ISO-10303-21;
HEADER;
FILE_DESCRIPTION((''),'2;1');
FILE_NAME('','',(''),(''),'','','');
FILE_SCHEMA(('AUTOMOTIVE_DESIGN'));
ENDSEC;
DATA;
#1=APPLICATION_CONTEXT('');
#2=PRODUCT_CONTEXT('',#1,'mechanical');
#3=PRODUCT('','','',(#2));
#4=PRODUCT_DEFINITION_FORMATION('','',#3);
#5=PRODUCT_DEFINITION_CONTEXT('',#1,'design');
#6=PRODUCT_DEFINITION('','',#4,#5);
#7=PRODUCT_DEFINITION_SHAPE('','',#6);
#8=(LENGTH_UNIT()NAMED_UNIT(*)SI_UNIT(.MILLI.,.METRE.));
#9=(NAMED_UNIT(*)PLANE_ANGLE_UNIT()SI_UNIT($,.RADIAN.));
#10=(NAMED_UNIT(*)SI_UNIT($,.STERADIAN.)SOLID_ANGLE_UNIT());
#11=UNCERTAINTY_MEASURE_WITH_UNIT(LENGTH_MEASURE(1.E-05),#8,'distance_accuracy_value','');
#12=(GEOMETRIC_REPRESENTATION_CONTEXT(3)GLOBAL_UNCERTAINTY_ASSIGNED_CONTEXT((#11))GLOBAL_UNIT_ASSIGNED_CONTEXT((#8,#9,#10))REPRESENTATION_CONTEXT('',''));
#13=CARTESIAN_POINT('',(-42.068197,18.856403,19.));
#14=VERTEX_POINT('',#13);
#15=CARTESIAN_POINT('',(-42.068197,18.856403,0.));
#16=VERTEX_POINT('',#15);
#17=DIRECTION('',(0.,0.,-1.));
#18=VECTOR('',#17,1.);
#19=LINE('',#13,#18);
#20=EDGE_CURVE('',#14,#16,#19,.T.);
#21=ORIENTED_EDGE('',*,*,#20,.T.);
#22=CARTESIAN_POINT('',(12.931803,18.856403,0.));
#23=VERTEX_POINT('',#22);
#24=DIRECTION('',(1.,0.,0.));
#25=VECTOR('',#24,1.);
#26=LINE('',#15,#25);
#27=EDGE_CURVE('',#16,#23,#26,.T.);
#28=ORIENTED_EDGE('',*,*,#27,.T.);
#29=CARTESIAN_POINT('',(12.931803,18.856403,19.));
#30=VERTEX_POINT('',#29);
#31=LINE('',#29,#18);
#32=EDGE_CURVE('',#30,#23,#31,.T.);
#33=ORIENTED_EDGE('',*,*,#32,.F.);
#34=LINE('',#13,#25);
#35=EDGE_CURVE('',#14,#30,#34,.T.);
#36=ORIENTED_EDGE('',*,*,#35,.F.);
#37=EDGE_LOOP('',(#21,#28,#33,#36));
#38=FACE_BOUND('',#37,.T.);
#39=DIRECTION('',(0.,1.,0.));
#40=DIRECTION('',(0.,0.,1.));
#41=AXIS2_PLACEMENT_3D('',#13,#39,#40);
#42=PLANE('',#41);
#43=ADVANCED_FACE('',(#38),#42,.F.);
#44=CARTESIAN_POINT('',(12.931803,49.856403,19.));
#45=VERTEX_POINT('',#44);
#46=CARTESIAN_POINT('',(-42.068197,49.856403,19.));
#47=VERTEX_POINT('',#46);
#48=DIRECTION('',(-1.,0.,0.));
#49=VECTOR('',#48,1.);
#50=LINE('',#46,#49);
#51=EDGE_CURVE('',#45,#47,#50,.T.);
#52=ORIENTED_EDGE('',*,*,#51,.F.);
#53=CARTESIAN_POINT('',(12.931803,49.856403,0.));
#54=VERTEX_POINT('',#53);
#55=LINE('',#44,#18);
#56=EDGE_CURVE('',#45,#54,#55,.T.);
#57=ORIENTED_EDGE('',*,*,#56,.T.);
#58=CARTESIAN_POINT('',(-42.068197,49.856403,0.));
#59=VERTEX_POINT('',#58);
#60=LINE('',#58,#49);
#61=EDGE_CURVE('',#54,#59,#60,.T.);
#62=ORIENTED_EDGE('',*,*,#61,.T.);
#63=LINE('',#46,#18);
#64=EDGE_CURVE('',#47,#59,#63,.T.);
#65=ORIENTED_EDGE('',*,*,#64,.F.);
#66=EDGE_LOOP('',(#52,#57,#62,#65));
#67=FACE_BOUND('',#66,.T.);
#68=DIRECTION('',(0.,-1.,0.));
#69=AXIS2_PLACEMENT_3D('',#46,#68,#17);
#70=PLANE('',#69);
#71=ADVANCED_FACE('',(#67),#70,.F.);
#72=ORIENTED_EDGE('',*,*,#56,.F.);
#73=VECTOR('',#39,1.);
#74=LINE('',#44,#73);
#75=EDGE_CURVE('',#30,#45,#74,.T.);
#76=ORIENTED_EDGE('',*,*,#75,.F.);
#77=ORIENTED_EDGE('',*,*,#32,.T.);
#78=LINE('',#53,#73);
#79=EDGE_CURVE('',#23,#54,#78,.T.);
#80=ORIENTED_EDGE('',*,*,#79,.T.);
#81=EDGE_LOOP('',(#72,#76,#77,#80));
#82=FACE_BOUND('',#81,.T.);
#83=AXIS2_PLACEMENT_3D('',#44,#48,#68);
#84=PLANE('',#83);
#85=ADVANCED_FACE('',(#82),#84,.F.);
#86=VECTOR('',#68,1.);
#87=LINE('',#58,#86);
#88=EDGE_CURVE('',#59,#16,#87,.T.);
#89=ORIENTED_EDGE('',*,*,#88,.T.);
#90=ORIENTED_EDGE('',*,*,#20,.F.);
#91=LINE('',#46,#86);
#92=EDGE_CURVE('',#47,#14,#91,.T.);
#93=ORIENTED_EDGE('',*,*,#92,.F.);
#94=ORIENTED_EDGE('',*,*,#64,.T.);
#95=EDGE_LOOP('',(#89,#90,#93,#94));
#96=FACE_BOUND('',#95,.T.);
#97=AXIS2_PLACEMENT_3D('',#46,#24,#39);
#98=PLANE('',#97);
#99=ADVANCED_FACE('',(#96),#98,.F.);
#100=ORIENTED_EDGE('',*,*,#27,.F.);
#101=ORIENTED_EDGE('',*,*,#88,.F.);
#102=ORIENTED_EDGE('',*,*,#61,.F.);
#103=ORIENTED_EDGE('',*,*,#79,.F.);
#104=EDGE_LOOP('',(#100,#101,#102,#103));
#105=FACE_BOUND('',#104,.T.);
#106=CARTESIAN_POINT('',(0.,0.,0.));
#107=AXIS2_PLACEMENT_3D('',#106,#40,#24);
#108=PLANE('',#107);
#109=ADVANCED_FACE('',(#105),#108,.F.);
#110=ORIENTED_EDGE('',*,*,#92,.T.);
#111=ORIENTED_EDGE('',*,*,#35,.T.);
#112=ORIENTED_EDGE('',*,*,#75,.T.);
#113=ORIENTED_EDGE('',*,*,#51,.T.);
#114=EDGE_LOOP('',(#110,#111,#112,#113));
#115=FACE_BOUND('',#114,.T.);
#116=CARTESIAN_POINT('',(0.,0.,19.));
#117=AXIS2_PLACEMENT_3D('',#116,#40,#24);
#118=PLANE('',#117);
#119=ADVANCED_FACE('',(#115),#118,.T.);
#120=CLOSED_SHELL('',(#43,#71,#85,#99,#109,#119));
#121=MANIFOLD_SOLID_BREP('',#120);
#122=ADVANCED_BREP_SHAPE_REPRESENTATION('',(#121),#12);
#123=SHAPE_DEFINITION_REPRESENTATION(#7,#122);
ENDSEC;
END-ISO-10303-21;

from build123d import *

# Parameters (mm, degrees)
SKETCH_1_W      = 55
SKETCH_1_H      = 31
EXTRUDE_1_DEPTH = 19


with BuildPart() as part:
    # 草图1 → 凸台-拉伸1 (new body)
    with BuildSketch(Plane.XY):
        with Locations((-14.568196801, 34.356403333)):
            Rectangle(SKETCH_1_W, SKETCH_1_H)
    extrude(amount=EXTRUDE_1_DEPTH)


solid = part.part
